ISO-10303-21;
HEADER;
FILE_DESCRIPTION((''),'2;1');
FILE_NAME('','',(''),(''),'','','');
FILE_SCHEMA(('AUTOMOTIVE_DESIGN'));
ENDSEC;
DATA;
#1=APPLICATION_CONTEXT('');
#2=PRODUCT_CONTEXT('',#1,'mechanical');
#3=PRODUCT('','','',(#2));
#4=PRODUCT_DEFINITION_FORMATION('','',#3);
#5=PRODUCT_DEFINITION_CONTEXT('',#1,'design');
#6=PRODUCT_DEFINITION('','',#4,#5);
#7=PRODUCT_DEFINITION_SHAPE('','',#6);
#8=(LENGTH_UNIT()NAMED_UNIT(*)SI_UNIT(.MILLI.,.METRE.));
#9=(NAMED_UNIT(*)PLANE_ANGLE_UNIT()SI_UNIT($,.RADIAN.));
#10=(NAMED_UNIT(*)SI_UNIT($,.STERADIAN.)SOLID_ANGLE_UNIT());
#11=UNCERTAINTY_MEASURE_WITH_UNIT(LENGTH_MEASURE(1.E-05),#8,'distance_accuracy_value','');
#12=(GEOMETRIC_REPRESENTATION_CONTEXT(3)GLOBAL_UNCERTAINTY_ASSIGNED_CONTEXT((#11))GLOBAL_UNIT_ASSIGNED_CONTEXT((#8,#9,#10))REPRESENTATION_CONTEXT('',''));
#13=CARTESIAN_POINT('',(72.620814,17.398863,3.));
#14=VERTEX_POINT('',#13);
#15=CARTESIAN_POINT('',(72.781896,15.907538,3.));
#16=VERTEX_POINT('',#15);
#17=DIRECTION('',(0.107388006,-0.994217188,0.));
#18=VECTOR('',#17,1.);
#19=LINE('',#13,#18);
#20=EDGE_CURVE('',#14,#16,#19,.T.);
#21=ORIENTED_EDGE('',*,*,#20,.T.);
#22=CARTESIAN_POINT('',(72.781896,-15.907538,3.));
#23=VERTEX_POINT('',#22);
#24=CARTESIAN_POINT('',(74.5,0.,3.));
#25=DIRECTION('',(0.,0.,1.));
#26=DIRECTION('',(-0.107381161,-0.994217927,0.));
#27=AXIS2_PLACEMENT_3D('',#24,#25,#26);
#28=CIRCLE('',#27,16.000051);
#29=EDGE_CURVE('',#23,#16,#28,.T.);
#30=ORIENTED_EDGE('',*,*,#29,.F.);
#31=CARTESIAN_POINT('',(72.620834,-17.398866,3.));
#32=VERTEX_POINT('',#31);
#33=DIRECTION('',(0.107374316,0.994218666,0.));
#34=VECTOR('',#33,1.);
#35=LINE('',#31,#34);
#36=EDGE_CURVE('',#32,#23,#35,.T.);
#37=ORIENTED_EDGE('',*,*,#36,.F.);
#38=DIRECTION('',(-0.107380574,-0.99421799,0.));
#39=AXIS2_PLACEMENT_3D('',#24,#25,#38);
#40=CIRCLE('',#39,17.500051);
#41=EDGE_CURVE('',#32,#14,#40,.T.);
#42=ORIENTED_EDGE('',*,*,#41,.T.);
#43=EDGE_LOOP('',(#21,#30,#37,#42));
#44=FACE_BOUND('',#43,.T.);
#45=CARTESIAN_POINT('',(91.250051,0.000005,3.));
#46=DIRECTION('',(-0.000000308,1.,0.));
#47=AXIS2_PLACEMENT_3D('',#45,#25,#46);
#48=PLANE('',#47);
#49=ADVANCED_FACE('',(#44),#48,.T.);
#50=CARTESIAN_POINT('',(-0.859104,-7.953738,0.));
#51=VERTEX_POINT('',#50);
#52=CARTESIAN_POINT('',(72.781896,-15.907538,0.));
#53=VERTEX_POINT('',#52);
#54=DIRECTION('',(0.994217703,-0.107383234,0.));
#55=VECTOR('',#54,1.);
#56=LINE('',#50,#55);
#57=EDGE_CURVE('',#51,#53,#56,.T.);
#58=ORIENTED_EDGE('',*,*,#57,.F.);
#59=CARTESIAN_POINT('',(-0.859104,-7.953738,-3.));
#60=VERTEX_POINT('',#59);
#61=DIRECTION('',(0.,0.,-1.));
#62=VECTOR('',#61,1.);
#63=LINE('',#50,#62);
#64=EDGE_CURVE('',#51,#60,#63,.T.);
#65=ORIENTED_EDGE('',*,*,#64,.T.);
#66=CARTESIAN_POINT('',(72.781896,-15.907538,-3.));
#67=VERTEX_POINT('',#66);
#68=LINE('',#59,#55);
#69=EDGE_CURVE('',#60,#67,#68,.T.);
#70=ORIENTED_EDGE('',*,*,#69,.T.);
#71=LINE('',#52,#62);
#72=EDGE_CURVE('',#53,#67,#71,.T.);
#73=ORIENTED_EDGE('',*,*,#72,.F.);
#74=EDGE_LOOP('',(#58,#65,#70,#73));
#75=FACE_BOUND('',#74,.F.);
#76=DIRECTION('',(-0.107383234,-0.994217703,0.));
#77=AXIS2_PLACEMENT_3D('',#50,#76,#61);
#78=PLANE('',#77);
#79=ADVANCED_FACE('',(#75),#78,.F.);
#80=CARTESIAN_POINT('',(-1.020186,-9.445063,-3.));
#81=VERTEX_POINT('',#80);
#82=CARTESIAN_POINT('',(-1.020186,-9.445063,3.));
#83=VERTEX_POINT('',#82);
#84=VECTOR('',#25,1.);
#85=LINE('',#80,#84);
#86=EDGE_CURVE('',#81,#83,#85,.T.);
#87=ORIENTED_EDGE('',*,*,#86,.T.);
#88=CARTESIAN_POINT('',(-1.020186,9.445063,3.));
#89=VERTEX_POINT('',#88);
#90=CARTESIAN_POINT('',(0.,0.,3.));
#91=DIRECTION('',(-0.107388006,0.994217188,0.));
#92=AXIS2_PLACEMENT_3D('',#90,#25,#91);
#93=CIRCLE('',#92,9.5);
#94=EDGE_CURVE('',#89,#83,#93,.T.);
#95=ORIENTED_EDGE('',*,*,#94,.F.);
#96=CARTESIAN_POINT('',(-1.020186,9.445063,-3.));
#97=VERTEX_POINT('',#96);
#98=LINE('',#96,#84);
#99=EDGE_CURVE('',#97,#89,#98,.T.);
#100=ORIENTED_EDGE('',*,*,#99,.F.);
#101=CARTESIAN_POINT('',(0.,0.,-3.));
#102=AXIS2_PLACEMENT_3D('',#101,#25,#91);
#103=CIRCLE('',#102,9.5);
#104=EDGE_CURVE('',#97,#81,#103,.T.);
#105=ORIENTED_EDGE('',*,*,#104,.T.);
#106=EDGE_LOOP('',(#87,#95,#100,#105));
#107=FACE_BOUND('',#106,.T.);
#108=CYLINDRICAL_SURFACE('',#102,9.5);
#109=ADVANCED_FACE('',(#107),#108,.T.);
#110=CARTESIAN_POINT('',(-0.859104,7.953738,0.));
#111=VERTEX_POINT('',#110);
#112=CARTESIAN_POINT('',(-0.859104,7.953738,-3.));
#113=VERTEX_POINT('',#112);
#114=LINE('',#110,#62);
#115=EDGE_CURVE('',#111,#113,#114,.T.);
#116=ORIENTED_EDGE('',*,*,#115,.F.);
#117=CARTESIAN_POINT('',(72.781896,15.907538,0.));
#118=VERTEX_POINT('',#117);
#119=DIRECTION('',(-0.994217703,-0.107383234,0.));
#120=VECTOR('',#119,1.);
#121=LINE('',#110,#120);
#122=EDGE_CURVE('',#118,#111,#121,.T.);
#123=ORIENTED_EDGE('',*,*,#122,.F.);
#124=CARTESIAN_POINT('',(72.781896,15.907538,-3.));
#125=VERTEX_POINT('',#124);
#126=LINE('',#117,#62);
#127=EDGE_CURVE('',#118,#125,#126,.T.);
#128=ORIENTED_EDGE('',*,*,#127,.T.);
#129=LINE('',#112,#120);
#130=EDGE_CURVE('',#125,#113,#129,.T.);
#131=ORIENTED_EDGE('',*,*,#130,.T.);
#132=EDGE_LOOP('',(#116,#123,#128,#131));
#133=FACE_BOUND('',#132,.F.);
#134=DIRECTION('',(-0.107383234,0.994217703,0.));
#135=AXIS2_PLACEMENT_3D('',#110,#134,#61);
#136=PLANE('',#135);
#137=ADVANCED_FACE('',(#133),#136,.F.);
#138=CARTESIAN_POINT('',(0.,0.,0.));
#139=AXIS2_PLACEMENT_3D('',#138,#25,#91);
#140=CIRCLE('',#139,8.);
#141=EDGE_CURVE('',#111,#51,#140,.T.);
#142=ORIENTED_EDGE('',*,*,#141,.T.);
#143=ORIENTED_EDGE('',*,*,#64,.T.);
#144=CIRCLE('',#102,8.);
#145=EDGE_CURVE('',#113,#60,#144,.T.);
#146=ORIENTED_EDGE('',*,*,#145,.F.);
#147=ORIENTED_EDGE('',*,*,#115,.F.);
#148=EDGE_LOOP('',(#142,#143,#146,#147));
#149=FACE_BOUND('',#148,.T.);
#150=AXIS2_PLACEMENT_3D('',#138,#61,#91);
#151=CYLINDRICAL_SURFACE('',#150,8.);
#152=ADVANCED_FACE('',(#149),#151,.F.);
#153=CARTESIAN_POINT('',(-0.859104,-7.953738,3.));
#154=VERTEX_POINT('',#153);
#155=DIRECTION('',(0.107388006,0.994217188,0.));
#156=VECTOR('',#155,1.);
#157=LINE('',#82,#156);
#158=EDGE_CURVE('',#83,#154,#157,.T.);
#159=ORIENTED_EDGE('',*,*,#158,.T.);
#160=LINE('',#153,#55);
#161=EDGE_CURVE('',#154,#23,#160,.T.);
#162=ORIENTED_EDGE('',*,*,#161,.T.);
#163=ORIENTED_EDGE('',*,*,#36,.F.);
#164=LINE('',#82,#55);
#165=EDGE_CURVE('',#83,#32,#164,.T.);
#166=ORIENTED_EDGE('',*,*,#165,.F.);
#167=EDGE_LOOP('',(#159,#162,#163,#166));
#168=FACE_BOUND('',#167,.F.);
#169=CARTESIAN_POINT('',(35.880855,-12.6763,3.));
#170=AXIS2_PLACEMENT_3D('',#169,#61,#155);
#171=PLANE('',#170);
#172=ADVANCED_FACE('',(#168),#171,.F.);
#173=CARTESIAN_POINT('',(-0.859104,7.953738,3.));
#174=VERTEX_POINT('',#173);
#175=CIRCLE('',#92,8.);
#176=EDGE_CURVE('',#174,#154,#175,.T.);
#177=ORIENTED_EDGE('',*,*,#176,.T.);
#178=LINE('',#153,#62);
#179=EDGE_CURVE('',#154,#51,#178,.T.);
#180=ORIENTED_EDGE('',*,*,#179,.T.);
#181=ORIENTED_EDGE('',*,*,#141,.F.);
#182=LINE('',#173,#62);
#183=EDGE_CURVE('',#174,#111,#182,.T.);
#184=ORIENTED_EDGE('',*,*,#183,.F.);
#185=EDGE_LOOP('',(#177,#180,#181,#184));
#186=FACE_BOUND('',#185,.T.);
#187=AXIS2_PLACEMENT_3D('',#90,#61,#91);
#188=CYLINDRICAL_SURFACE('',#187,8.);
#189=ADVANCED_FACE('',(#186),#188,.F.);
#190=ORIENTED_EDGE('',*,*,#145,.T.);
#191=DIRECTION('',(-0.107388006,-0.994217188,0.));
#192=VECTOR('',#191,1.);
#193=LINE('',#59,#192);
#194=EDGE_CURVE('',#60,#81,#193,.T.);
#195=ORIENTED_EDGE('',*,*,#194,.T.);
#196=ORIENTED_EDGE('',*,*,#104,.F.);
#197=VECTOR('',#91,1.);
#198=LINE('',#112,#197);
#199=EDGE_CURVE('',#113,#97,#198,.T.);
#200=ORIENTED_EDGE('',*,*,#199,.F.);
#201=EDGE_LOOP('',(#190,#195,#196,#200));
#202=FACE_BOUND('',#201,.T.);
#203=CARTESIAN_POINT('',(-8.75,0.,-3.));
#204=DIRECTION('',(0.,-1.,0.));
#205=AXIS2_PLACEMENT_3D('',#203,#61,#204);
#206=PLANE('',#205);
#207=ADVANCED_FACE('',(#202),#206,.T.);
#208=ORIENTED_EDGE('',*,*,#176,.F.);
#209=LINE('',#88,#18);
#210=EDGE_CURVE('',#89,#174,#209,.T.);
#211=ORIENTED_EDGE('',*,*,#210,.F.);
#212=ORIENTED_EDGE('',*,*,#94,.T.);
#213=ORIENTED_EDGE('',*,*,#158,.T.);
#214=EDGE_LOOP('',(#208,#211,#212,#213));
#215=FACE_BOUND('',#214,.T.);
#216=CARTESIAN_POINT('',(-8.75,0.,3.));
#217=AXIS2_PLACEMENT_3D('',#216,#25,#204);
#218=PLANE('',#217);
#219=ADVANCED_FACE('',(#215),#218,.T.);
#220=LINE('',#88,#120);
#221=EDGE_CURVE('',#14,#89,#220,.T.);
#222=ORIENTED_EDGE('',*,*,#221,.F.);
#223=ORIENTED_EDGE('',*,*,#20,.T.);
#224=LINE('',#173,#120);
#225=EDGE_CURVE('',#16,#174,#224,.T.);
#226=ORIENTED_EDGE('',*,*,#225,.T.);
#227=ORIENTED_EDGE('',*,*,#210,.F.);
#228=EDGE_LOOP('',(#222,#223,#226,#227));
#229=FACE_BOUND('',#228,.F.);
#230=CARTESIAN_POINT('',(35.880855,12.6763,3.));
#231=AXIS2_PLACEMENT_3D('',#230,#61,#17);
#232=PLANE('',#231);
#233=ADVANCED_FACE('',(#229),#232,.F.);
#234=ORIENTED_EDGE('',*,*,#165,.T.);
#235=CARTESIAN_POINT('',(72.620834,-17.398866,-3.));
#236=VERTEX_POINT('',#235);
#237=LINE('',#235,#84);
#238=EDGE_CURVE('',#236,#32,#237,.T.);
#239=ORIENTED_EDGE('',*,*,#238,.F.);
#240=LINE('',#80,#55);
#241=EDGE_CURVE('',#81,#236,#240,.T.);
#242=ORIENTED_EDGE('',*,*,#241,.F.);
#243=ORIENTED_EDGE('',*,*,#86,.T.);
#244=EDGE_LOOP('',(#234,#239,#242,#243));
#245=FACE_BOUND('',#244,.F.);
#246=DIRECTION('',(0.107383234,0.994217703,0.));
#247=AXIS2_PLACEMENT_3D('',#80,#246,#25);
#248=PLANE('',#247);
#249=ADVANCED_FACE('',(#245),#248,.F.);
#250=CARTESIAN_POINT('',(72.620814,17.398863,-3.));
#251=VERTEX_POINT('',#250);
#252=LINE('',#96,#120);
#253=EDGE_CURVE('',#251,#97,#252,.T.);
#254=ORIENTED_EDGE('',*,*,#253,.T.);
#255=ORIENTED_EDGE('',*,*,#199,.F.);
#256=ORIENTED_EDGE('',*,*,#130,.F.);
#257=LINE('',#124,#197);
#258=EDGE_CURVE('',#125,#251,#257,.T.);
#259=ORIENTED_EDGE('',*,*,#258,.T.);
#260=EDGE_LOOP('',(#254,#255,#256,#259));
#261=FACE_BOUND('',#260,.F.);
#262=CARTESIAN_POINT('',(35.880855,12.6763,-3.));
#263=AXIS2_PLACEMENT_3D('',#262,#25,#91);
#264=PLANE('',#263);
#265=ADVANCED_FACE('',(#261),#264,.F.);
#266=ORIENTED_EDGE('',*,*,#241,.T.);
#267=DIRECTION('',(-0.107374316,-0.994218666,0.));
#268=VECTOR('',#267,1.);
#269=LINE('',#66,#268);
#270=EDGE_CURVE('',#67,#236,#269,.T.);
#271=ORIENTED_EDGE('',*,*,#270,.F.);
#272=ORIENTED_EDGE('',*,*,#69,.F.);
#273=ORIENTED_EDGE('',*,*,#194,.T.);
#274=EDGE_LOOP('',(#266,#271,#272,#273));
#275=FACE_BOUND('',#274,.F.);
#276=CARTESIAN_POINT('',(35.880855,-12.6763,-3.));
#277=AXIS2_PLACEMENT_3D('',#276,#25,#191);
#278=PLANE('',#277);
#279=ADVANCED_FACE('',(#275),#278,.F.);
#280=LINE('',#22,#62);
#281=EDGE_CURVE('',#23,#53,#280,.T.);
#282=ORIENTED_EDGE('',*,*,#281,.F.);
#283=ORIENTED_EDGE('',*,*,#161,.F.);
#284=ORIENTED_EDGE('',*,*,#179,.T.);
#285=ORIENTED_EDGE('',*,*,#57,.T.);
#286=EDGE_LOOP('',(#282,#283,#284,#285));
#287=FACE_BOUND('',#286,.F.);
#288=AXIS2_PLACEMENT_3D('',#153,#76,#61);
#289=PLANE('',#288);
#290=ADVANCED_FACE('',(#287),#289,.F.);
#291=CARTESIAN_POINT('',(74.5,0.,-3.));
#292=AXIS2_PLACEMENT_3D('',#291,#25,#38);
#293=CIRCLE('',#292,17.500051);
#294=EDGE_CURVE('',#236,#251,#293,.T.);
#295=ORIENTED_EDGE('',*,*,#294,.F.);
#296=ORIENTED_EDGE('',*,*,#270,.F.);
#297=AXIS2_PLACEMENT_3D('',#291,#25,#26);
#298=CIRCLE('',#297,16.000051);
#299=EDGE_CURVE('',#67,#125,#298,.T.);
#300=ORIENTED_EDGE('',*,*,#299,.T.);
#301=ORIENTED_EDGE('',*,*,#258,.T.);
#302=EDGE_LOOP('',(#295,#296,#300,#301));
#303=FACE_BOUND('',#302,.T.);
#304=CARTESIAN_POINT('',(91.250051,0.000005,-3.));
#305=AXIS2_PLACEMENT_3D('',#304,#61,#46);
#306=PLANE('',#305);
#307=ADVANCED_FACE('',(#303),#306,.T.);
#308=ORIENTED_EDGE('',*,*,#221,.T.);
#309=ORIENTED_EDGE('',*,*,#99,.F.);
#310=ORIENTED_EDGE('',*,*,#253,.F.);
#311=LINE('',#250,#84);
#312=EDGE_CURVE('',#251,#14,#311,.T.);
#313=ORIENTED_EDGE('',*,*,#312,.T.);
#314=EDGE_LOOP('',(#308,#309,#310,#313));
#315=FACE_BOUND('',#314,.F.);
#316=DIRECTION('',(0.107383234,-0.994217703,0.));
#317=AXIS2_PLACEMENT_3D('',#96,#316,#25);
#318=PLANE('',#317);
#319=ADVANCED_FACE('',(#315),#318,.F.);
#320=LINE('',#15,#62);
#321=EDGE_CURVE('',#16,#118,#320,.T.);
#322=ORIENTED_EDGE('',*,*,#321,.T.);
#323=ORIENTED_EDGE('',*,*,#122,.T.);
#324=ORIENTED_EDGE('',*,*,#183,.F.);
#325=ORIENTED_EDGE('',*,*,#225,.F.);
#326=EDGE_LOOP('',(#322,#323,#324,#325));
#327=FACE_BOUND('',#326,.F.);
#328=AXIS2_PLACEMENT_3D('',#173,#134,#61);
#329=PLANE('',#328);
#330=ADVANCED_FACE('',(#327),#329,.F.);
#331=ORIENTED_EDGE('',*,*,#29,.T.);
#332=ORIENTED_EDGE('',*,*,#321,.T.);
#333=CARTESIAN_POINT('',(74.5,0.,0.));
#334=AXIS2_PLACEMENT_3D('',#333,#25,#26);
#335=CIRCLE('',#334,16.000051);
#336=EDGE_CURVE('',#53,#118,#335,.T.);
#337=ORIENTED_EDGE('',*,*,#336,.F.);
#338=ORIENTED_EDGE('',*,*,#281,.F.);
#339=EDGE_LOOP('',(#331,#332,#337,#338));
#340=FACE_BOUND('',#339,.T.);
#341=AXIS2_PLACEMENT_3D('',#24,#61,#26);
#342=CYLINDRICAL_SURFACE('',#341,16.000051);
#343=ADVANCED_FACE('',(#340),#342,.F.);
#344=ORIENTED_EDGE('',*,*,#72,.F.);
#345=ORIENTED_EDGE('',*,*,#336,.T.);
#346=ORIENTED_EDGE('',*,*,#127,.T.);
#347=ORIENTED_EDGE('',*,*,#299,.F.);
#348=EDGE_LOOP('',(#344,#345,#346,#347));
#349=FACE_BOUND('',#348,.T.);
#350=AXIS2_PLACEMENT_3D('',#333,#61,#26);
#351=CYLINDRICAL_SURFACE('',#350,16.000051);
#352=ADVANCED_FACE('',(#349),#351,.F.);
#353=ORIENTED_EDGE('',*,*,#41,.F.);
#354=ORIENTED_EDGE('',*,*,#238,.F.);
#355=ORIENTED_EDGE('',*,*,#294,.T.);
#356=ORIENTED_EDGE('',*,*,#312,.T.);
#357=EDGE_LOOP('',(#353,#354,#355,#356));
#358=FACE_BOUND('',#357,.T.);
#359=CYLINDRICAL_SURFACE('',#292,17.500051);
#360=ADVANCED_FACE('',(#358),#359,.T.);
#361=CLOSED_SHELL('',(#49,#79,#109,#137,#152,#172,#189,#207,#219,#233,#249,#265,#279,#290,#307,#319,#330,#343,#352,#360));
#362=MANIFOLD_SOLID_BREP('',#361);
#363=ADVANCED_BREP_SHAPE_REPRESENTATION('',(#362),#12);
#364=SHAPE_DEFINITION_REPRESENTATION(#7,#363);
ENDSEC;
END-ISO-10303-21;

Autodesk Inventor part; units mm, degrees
ref_plane "YZ Plane" through (0, 0, 0) normal (1, 0, 0) x (0, 1, 0)
ref_plane "XZ Plane" through (0, 0, 0) normal (0, 1, 0) x (-1, 0, 0)
ref_plane "XY Plane" through (0, 0, 0) normal (0, 0, 1) x (1, 0, 0)
sketch "Sketch3" plane through (0, 0, 0) normal (0, 1, 0) x (-1, 0, 0)
  line L0 (0, 0) -> (8, 0) construction
  line L1 (8, 0) -> (8, -3)
  line L2 (8, -3) -> (9.5, -3)
  line L3 (9.5, -3) -> (9.5, 3)
  line L4 (9.5, 3) -> (8, 3)
  line L5 (8, 3) -> (8, 0)
  dimension "d9" = 1.5
  dimension "d10" = 6
  dimension "d11" = 8
sketch "Sketch1" plane through (0, 0, 0) normal (0, 0, 1) x (1, 0, 0)
  line L0 (0, 0) -> (74.5, 0) construction
  arc A0 (72.7819, -15.9075) -> (72.7819, 15.9075) centre (74.5, 0) ccw
  arc A1 (-0.8591, 7.9537) -> (-0.8591, -7.9537) centre (0, 0) ccw
  line L1 (-0.8591, 7.9537) -> (72.7819, 15.9075)
  line L2 (-0.8591, -7.9537) -> (72.7819, -15.9075)
  dimension "d0" = 74.5
  dimension "d2" = 16
  dimension "d8" = 32
sweep "Sweep1" add profiles "Sketch3" path "Sketch1"
properties part number "Conrod"
